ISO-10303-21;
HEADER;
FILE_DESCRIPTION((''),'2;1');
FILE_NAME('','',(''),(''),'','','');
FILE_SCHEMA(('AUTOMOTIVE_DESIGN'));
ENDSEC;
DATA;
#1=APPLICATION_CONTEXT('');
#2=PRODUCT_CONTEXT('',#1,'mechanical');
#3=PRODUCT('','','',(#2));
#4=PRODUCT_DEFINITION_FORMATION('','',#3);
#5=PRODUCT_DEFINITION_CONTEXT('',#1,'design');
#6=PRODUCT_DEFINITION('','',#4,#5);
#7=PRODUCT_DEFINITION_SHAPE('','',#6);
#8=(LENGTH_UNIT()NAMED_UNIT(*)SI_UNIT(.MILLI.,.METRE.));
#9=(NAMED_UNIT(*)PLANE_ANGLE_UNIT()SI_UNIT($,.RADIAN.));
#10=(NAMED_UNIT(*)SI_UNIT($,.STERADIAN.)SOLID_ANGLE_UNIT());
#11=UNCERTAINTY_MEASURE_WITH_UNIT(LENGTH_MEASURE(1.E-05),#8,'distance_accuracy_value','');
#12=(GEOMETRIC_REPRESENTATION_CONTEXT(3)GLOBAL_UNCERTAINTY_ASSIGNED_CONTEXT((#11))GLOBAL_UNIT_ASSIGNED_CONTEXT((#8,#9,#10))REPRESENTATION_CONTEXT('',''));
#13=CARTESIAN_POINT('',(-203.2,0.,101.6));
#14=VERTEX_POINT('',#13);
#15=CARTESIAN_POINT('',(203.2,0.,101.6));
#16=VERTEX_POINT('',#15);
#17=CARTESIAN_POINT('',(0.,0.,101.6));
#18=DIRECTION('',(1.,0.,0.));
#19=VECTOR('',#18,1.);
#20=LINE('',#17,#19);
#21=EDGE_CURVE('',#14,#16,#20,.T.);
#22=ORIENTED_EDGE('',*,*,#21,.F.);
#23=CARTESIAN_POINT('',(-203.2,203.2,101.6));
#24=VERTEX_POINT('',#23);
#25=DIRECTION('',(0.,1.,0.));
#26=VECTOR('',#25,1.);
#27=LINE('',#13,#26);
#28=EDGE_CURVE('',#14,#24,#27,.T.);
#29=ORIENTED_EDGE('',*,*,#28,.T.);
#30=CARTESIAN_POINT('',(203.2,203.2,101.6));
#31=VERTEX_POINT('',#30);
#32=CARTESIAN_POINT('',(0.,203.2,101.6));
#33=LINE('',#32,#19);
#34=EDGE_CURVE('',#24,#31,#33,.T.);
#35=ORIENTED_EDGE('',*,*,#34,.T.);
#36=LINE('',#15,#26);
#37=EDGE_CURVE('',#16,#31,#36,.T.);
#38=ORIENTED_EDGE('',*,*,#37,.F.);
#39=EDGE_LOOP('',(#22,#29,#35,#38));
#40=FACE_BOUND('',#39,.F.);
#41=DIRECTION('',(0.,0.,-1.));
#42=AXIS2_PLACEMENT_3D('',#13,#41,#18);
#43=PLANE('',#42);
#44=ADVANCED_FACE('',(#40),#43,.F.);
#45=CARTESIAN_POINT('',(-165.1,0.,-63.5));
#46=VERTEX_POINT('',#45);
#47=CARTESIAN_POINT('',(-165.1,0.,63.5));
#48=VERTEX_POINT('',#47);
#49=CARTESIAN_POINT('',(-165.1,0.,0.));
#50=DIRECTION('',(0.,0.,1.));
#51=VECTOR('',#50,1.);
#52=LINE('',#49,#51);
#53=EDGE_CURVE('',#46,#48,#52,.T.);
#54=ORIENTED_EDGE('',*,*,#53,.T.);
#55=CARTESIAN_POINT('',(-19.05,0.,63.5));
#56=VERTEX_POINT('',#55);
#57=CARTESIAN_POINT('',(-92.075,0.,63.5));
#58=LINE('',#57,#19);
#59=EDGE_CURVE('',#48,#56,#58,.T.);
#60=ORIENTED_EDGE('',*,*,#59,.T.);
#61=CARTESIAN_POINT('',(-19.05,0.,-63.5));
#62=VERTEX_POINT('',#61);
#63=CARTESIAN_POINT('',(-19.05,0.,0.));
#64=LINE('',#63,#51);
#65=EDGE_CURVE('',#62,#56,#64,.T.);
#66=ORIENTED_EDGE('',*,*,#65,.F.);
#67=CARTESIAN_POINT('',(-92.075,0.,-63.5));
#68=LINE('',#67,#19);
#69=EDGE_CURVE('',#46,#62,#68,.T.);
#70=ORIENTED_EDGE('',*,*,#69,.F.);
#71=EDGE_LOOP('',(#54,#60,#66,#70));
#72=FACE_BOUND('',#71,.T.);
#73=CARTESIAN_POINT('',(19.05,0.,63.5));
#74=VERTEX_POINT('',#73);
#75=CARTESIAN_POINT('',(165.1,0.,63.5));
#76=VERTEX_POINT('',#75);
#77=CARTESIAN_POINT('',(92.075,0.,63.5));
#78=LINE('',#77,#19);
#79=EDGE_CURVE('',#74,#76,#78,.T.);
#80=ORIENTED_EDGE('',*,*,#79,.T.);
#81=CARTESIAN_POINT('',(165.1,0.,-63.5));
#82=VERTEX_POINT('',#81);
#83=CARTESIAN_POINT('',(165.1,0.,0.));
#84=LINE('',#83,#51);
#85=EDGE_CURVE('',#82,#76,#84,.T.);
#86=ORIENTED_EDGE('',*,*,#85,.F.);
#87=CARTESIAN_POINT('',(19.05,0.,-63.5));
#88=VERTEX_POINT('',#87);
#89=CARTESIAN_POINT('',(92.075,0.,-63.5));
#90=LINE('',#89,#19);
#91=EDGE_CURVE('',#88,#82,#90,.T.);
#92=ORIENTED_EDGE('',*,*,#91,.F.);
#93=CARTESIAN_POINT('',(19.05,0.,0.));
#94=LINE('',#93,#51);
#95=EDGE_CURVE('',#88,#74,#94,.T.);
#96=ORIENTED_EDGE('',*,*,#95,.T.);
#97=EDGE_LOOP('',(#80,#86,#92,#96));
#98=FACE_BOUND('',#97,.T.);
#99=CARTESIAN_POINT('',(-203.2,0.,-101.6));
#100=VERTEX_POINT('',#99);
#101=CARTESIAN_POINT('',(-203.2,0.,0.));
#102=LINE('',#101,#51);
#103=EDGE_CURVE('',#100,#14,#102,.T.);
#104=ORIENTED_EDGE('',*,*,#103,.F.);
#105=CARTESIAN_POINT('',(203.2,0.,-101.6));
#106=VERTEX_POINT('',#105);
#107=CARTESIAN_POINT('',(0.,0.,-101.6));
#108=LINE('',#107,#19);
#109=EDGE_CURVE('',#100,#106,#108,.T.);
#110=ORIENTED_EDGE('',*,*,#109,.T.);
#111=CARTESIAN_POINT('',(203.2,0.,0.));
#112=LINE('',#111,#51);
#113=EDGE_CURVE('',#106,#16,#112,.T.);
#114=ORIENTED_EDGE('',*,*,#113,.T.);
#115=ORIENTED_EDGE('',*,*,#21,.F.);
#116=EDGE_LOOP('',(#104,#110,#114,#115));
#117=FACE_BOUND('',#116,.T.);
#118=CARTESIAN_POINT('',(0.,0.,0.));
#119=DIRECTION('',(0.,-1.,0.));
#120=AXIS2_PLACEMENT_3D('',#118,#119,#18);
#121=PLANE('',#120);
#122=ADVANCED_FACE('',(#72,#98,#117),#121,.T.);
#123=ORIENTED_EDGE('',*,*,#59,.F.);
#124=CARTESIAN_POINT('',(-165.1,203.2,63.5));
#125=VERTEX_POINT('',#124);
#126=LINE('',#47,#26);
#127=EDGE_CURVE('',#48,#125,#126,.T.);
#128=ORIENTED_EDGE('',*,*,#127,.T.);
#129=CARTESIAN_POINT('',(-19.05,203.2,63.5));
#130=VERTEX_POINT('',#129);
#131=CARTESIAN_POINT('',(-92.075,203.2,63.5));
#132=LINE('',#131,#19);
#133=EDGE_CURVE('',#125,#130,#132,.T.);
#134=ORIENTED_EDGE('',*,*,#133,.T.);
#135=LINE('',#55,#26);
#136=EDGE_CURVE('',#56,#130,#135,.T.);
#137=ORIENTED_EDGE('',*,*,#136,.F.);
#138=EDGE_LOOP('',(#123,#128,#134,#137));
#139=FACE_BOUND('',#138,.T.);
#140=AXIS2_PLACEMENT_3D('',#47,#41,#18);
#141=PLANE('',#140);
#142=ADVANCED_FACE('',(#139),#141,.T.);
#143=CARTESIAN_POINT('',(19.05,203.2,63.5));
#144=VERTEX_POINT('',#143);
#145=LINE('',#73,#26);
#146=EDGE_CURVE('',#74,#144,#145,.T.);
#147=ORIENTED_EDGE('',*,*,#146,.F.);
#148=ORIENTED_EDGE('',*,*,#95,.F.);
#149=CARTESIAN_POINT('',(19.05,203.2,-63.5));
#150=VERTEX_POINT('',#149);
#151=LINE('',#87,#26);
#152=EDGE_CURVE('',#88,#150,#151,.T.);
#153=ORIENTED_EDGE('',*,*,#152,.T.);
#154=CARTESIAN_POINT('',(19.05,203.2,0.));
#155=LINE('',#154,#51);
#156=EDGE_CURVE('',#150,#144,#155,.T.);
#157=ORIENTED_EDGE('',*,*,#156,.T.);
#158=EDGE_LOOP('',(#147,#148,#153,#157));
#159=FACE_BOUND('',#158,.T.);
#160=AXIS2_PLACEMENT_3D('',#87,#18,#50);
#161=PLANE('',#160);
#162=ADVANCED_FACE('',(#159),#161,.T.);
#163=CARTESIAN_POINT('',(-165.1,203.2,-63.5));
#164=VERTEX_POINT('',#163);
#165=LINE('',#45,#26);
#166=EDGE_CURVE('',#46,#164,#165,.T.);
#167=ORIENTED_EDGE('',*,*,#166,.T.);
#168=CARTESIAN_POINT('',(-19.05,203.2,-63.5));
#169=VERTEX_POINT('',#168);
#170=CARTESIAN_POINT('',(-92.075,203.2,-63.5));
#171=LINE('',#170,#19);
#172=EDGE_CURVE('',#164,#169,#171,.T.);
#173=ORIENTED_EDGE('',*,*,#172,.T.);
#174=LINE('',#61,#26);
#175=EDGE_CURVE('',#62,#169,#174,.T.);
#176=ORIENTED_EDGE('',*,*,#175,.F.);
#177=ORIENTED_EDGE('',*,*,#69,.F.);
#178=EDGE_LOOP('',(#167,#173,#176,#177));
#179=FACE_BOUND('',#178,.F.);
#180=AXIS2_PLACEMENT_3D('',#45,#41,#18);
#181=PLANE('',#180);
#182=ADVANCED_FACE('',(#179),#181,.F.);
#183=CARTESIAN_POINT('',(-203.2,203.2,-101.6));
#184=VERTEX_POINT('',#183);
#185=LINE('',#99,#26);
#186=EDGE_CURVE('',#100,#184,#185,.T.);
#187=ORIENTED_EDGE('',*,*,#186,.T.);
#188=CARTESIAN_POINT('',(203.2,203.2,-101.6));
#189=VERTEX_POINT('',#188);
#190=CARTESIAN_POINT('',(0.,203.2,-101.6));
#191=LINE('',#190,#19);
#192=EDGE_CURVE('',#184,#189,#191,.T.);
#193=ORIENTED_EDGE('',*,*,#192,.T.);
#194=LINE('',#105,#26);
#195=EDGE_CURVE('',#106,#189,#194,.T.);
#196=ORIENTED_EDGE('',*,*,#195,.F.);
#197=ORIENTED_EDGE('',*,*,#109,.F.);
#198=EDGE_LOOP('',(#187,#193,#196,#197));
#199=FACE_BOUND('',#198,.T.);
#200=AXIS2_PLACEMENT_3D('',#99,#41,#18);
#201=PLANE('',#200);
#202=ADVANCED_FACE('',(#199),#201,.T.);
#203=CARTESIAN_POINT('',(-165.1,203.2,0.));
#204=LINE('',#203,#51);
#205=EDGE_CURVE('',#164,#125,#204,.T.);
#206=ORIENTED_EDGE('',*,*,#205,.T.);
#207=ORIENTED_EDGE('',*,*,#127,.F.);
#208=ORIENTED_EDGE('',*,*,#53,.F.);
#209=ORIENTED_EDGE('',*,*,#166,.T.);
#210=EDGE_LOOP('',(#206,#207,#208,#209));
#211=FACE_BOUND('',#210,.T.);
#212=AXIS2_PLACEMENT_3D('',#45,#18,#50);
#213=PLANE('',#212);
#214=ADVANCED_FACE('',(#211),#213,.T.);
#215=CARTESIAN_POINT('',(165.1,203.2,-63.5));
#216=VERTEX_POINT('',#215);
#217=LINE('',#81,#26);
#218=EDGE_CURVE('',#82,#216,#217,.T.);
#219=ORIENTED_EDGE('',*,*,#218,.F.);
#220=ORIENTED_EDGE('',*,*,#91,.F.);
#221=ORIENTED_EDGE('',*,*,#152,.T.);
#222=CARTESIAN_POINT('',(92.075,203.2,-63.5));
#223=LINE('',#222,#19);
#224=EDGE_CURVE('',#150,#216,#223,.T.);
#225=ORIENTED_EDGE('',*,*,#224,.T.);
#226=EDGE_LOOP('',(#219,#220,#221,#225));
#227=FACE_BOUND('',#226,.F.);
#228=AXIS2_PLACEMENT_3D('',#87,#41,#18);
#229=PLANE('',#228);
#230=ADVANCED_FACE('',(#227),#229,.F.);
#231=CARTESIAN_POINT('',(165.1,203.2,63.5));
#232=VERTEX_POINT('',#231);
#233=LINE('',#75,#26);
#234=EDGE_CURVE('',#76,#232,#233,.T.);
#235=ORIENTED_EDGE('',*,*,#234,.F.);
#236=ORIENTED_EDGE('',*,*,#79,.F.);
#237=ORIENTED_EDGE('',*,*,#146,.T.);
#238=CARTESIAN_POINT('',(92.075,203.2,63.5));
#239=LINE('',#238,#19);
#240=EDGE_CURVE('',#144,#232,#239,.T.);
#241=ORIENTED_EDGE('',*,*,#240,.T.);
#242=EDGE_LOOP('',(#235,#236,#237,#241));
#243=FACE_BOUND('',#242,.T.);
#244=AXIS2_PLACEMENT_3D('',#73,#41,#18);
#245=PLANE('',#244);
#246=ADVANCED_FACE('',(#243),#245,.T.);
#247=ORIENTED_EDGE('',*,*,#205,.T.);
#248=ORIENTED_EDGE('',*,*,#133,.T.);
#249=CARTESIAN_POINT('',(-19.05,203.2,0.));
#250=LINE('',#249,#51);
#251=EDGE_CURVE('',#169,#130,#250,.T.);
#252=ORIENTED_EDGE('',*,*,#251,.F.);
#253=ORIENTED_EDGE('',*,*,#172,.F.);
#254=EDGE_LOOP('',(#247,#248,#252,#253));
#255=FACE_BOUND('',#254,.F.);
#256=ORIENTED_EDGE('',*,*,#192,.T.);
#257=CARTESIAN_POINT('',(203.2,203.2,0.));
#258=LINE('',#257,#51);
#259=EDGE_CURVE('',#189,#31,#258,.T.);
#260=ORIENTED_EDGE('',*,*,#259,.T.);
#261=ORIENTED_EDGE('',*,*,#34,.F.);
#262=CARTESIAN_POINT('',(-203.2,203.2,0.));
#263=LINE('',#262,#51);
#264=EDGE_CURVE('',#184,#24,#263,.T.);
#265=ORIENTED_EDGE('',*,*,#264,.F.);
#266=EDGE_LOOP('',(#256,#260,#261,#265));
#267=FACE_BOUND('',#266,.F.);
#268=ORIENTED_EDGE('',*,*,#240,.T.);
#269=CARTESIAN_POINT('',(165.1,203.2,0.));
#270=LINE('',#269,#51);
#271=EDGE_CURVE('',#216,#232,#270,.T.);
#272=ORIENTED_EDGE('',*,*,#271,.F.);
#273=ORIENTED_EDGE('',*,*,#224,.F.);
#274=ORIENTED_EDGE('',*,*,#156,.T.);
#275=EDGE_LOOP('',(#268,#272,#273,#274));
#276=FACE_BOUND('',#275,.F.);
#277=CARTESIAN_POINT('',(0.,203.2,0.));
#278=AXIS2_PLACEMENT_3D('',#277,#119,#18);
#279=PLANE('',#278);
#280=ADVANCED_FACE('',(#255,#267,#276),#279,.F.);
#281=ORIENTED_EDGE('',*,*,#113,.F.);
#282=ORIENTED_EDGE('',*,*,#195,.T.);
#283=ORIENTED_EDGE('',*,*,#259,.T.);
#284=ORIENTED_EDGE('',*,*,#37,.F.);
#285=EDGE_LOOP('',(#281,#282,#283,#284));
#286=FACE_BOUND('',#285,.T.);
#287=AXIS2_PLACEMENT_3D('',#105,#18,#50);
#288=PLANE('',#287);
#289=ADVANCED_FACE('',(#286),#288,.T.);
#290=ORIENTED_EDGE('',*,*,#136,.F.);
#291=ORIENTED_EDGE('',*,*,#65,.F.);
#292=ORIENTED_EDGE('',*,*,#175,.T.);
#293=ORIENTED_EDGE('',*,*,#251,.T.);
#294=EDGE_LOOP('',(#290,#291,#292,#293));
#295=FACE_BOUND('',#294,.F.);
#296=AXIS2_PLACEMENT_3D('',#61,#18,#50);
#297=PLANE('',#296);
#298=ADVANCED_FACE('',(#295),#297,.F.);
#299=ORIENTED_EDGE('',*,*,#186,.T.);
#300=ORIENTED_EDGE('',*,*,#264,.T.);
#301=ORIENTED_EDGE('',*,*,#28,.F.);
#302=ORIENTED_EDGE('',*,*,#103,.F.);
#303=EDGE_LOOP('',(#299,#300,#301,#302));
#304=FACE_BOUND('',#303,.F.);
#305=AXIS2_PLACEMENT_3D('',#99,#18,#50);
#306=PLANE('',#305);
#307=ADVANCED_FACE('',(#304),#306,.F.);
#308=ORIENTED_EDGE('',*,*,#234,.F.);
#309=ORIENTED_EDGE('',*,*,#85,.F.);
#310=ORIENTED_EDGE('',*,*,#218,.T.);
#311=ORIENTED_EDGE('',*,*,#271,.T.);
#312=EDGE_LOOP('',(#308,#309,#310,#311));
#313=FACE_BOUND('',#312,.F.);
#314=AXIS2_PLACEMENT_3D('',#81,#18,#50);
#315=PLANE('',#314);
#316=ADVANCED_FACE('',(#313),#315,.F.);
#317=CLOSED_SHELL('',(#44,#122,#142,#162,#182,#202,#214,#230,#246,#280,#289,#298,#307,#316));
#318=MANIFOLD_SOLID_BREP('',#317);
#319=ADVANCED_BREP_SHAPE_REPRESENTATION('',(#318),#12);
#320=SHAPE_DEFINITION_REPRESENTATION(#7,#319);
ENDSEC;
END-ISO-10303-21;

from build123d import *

# Parameters (mm, degrees)
F0_W     = 406.4
F0_H     = 203.2
F0_W_2   = 146.05
F0_H_2   = 127
F1_DEPTH = 203.2


with BuildPart() as f1:
    # F0 (on Front) → F1 (new body)
    with BuildSketch(Plane.XZ):
        Rectangle(F0_W, F0_H)
        with Locations((-92.075, 0)):
            Rectangle(F0_W_2, F0_H_2, mode=Mode.SUBTRACT)
        with Locations((92.075, 0)):
            Rectangle(F0_W_2, F0_H_2, mode=Mode.SUBTRACT)
    extrude(amount=-F1_DEPTH)


solid = f1.part
